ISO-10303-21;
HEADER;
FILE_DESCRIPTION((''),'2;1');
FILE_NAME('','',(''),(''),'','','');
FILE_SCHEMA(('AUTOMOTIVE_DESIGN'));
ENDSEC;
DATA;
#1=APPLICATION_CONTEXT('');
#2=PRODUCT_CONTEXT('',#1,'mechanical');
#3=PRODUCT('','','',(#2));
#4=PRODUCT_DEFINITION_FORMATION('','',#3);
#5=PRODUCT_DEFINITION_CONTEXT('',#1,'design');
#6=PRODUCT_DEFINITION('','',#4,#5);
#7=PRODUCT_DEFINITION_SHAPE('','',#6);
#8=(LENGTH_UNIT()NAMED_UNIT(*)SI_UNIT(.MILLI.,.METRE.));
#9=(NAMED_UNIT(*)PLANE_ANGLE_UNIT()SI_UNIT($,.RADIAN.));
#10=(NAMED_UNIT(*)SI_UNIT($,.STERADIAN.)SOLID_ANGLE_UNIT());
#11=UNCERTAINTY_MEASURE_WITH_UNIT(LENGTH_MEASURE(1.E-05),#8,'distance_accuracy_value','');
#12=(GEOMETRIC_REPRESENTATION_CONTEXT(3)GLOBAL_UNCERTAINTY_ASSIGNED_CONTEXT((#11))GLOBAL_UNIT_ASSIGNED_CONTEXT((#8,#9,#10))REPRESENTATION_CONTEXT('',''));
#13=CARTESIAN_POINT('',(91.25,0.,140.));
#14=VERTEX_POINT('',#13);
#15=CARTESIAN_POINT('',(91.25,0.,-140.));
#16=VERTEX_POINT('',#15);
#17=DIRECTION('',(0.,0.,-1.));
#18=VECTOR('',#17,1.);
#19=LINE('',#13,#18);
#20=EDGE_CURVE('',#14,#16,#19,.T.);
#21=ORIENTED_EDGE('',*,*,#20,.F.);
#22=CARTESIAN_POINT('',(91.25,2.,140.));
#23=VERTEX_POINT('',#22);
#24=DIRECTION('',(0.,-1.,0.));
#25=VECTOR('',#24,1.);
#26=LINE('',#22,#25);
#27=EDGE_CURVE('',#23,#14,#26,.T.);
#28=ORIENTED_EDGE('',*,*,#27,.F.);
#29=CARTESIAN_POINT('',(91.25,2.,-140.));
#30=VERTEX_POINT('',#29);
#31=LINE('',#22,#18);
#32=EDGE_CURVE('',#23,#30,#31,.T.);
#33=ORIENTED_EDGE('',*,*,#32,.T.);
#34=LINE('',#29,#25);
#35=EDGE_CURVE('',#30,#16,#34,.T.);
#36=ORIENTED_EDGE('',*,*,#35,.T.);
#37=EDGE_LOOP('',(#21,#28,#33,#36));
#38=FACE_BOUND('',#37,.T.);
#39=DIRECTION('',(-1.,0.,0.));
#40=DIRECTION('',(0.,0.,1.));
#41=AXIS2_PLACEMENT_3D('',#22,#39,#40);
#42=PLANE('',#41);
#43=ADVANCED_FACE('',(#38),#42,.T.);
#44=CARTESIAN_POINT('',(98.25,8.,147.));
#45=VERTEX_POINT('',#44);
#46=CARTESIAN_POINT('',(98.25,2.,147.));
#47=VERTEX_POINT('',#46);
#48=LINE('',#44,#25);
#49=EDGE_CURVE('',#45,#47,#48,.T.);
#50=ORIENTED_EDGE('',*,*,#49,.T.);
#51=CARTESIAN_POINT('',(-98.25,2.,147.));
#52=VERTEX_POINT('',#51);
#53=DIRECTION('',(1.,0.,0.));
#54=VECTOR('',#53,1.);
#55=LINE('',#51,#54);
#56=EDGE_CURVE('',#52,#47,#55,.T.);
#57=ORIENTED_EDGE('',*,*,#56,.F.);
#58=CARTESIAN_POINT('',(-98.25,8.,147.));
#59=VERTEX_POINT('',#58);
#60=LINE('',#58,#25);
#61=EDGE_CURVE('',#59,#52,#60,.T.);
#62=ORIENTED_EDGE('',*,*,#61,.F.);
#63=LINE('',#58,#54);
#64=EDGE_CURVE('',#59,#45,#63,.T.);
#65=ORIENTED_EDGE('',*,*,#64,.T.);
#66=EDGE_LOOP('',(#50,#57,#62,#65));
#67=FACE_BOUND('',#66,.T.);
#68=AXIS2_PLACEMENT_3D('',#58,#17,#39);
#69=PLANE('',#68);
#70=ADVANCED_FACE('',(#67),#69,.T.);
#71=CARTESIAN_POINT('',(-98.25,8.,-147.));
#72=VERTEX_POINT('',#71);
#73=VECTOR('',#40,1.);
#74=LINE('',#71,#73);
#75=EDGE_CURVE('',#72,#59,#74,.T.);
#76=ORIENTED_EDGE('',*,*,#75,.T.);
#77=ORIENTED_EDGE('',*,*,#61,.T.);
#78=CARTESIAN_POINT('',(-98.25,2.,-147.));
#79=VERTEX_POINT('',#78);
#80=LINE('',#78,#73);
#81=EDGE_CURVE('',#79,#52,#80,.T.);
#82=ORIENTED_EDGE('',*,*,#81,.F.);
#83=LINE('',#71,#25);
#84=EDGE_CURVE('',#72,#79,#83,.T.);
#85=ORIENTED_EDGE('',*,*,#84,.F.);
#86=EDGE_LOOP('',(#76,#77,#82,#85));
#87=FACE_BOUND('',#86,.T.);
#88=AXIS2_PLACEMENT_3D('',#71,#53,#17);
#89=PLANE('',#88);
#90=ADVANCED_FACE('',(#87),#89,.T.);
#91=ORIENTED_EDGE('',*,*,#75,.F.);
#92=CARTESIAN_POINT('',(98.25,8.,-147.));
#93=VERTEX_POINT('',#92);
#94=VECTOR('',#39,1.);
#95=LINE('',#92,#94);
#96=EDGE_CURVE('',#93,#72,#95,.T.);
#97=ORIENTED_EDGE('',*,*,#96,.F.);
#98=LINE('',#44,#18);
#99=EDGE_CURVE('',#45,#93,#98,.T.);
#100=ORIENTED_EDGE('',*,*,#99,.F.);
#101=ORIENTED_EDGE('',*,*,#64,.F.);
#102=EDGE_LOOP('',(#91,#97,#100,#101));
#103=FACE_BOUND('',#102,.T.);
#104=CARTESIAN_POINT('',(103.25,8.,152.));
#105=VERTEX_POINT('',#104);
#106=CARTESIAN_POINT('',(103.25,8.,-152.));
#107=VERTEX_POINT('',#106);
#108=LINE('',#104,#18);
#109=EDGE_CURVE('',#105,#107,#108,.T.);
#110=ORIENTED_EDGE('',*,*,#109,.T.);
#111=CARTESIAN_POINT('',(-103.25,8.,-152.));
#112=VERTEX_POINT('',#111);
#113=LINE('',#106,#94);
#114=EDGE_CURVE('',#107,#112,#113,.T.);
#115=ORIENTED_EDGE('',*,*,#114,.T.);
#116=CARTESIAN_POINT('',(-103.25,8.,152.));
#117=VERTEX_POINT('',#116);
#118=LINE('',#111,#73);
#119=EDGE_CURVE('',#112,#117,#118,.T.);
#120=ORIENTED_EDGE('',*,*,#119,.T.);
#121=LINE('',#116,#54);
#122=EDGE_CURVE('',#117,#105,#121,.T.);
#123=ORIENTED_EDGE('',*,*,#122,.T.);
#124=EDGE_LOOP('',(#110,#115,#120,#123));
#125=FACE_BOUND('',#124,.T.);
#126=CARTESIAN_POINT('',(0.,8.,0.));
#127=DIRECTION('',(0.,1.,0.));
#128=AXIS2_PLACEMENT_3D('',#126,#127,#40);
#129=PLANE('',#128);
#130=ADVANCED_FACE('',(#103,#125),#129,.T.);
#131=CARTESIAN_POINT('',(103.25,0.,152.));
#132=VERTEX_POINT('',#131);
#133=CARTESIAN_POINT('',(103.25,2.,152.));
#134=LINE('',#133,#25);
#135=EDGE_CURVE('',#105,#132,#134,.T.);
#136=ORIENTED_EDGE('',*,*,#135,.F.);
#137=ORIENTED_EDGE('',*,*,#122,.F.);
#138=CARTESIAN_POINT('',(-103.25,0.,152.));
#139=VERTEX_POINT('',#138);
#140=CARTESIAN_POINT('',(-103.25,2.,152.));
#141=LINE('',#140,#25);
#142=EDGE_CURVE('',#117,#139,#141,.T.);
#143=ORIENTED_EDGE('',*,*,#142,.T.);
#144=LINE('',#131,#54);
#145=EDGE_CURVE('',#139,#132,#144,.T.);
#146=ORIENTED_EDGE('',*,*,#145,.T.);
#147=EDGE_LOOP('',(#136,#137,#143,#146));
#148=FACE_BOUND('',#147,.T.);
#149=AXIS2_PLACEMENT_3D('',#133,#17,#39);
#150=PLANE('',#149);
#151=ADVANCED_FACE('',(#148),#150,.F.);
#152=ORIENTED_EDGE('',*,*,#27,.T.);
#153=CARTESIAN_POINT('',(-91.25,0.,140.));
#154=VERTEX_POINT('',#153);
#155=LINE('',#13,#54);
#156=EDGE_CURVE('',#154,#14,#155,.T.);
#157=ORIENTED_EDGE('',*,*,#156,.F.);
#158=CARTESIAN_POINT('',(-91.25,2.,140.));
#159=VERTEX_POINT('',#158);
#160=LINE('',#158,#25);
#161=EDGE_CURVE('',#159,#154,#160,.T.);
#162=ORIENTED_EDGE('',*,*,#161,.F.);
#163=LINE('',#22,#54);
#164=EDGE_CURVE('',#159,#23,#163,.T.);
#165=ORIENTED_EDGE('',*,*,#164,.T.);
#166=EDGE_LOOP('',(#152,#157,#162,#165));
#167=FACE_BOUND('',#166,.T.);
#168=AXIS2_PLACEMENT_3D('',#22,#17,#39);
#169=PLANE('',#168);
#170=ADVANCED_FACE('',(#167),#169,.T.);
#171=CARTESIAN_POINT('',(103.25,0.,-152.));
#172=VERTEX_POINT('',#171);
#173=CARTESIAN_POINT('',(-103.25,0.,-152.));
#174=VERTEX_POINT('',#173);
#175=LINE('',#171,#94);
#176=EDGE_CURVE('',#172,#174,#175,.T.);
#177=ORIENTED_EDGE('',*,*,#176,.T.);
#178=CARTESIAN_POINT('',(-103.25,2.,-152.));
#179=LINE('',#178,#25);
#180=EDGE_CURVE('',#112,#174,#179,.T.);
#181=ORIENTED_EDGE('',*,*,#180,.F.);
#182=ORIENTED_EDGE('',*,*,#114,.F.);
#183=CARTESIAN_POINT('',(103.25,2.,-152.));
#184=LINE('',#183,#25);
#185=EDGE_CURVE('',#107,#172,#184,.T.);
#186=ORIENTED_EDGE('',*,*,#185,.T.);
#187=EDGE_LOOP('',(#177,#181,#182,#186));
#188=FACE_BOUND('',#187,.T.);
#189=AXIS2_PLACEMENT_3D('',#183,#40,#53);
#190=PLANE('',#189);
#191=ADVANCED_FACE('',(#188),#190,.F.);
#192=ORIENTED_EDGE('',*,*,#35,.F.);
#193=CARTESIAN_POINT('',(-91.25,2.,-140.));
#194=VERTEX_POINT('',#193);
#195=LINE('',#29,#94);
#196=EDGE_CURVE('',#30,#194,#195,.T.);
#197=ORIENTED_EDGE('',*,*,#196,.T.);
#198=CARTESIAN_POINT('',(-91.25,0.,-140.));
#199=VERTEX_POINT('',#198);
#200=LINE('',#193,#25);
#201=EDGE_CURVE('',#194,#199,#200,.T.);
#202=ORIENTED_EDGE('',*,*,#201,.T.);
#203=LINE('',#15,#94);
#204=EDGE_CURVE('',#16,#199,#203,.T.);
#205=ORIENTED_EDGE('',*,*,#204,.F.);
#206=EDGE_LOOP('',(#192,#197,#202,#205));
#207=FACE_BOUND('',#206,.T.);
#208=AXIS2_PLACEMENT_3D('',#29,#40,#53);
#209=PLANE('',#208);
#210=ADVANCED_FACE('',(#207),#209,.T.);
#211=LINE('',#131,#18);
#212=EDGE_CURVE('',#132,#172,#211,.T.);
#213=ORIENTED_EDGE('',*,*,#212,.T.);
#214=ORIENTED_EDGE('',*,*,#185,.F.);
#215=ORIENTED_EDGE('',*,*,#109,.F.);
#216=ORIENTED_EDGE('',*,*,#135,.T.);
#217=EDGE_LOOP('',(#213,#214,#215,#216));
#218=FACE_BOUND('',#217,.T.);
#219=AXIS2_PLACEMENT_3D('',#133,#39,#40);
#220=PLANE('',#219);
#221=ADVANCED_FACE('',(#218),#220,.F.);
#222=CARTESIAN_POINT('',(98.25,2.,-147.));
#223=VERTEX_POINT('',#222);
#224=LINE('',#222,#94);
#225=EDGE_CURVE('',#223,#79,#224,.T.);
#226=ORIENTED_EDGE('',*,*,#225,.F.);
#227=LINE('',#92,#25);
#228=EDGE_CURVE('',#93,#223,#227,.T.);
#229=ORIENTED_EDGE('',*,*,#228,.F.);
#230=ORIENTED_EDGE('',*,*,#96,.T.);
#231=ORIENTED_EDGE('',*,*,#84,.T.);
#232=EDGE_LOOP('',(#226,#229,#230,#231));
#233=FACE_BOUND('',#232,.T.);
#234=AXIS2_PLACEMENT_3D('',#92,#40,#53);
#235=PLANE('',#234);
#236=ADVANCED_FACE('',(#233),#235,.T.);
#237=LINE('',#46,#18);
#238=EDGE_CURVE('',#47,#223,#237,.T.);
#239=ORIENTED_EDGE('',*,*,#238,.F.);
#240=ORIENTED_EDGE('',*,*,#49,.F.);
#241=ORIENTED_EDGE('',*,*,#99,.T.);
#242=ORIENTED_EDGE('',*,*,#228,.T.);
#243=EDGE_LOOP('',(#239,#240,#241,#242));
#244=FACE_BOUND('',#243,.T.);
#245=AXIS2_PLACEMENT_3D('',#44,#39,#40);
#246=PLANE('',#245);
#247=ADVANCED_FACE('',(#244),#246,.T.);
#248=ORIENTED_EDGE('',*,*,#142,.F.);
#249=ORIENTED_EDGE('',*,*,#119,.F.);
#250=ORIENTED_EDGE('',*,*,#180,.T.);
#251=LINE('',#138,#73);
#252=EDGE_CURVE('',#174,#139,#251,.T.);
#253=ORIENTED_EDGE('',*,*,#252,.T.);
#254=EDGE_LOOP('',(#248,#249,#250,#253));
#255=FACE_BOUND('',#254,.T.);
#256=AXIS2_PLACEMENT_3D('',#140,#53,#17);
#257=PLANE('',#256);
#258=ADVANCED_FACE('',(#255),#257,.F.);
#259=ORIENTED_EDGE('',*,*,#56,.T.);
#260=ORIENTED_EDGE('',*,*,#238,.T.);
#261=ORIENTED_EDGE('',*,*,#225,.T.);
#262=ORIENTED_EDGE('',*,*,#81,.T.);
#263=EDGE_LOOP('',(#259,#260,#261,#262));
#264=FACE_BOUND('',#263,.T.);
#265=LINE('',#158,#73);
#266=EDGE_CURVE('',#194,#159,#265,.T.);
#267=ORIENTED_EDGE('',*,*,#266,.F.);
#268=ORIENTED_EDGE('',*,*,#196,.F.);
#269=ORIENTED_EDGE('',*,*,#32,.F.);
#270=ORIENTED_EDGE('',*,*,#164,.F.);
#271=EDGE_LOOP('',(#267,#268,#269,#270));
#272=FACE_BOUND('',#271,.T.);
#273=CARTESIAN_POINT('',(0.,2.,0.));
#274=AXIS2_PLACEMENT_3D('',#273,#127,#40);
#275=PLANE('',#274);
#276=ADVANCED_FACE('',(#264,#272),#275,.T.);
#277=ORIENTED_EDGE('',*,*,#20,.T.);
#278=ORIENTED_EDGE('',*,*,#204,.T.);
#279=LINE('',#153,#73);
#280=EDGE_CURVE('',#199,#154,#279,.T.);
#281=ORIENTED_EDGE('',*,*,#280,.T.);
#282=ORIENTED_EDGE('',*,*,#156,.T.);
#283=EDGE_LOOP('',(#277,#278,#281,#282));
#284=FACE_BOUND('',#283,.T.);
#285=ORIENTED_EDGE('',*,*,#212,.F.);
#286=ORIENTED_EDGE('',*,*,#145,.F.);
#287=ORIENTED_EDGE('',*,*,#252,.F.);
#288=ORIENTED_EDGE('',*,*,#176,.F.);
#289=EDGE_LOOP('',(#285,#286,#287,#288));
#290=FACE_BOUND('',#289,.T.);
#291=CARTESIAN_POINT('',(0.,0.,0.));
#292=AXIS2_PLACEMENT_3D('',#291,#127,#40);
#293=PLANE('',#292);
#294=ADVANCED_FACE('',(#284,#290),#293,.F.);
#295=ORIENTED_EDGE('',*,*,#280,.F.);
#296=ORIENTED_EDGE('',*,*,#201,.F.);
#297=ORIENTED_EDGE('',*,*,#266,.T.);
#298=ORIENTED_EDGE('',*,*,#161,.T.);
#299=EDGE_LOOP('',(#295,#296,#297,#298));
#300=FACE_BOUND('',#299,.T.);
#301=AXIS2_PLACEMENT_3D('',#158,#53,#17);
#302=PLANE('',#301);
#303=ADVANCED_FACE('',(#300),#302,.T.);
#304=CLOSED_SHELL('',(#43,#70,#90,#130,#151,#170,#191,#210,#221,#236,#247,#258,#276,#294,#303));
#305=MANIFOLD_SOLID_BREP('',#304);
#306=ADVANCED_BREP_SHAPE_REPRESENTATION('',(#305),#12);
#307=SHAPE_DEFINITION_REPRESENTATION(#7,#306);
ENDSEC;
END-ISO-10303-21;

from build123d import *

# Parameters (mm, degrees)
SKETCH1_W           = 206.5
SKETCH1_H           = 304
SKETCH1_W_2         = 182.5
SKETCH1_H_2         = 280
BOSS_EXTRUDE1_DEPTH = 2
SKETCH2_W           = 206.5
SKETCH2_H           = 304
SKETCH2_W_2         = 196.5
SKETCH2_H_2         = 294
BOSS_EXTRUDE2_DEPTH = 6


with BuildPart() as part:
    # Sketch1 → Boss-Extrude1 (new body)
    with BuildSketch(Plane(origin=(0, 0, 0), x_dir=(1, 0, 0), z_dir=(0, 1, 0))):
        Rectangle(SKETCH1_W, SKETCH1_H)
        Rectangle(SKETCH1_W_2, SKETCH1_H_2, mode=Mode.SUBTRACT)
    extrude(amount=BOSS_EXTRUDE1_DEPTH)

    # Sketch2 → Boss-Extrude2 (add)
    with BuildSketch(Plane(origin=(0, 2, 0), x_dir=(1, 0, 0), z_dir=(0, 1, 0))):
        Rectangle(SKETCH2_W, SKETCH2_H)
        Rectangle(SKETCH2_W_2, SKETCH2_H_2, mode=Mode.SUBTRACT)
    extrude(amount=BOSS_EXTRUDE2_DEPTH)


solid = part.part
